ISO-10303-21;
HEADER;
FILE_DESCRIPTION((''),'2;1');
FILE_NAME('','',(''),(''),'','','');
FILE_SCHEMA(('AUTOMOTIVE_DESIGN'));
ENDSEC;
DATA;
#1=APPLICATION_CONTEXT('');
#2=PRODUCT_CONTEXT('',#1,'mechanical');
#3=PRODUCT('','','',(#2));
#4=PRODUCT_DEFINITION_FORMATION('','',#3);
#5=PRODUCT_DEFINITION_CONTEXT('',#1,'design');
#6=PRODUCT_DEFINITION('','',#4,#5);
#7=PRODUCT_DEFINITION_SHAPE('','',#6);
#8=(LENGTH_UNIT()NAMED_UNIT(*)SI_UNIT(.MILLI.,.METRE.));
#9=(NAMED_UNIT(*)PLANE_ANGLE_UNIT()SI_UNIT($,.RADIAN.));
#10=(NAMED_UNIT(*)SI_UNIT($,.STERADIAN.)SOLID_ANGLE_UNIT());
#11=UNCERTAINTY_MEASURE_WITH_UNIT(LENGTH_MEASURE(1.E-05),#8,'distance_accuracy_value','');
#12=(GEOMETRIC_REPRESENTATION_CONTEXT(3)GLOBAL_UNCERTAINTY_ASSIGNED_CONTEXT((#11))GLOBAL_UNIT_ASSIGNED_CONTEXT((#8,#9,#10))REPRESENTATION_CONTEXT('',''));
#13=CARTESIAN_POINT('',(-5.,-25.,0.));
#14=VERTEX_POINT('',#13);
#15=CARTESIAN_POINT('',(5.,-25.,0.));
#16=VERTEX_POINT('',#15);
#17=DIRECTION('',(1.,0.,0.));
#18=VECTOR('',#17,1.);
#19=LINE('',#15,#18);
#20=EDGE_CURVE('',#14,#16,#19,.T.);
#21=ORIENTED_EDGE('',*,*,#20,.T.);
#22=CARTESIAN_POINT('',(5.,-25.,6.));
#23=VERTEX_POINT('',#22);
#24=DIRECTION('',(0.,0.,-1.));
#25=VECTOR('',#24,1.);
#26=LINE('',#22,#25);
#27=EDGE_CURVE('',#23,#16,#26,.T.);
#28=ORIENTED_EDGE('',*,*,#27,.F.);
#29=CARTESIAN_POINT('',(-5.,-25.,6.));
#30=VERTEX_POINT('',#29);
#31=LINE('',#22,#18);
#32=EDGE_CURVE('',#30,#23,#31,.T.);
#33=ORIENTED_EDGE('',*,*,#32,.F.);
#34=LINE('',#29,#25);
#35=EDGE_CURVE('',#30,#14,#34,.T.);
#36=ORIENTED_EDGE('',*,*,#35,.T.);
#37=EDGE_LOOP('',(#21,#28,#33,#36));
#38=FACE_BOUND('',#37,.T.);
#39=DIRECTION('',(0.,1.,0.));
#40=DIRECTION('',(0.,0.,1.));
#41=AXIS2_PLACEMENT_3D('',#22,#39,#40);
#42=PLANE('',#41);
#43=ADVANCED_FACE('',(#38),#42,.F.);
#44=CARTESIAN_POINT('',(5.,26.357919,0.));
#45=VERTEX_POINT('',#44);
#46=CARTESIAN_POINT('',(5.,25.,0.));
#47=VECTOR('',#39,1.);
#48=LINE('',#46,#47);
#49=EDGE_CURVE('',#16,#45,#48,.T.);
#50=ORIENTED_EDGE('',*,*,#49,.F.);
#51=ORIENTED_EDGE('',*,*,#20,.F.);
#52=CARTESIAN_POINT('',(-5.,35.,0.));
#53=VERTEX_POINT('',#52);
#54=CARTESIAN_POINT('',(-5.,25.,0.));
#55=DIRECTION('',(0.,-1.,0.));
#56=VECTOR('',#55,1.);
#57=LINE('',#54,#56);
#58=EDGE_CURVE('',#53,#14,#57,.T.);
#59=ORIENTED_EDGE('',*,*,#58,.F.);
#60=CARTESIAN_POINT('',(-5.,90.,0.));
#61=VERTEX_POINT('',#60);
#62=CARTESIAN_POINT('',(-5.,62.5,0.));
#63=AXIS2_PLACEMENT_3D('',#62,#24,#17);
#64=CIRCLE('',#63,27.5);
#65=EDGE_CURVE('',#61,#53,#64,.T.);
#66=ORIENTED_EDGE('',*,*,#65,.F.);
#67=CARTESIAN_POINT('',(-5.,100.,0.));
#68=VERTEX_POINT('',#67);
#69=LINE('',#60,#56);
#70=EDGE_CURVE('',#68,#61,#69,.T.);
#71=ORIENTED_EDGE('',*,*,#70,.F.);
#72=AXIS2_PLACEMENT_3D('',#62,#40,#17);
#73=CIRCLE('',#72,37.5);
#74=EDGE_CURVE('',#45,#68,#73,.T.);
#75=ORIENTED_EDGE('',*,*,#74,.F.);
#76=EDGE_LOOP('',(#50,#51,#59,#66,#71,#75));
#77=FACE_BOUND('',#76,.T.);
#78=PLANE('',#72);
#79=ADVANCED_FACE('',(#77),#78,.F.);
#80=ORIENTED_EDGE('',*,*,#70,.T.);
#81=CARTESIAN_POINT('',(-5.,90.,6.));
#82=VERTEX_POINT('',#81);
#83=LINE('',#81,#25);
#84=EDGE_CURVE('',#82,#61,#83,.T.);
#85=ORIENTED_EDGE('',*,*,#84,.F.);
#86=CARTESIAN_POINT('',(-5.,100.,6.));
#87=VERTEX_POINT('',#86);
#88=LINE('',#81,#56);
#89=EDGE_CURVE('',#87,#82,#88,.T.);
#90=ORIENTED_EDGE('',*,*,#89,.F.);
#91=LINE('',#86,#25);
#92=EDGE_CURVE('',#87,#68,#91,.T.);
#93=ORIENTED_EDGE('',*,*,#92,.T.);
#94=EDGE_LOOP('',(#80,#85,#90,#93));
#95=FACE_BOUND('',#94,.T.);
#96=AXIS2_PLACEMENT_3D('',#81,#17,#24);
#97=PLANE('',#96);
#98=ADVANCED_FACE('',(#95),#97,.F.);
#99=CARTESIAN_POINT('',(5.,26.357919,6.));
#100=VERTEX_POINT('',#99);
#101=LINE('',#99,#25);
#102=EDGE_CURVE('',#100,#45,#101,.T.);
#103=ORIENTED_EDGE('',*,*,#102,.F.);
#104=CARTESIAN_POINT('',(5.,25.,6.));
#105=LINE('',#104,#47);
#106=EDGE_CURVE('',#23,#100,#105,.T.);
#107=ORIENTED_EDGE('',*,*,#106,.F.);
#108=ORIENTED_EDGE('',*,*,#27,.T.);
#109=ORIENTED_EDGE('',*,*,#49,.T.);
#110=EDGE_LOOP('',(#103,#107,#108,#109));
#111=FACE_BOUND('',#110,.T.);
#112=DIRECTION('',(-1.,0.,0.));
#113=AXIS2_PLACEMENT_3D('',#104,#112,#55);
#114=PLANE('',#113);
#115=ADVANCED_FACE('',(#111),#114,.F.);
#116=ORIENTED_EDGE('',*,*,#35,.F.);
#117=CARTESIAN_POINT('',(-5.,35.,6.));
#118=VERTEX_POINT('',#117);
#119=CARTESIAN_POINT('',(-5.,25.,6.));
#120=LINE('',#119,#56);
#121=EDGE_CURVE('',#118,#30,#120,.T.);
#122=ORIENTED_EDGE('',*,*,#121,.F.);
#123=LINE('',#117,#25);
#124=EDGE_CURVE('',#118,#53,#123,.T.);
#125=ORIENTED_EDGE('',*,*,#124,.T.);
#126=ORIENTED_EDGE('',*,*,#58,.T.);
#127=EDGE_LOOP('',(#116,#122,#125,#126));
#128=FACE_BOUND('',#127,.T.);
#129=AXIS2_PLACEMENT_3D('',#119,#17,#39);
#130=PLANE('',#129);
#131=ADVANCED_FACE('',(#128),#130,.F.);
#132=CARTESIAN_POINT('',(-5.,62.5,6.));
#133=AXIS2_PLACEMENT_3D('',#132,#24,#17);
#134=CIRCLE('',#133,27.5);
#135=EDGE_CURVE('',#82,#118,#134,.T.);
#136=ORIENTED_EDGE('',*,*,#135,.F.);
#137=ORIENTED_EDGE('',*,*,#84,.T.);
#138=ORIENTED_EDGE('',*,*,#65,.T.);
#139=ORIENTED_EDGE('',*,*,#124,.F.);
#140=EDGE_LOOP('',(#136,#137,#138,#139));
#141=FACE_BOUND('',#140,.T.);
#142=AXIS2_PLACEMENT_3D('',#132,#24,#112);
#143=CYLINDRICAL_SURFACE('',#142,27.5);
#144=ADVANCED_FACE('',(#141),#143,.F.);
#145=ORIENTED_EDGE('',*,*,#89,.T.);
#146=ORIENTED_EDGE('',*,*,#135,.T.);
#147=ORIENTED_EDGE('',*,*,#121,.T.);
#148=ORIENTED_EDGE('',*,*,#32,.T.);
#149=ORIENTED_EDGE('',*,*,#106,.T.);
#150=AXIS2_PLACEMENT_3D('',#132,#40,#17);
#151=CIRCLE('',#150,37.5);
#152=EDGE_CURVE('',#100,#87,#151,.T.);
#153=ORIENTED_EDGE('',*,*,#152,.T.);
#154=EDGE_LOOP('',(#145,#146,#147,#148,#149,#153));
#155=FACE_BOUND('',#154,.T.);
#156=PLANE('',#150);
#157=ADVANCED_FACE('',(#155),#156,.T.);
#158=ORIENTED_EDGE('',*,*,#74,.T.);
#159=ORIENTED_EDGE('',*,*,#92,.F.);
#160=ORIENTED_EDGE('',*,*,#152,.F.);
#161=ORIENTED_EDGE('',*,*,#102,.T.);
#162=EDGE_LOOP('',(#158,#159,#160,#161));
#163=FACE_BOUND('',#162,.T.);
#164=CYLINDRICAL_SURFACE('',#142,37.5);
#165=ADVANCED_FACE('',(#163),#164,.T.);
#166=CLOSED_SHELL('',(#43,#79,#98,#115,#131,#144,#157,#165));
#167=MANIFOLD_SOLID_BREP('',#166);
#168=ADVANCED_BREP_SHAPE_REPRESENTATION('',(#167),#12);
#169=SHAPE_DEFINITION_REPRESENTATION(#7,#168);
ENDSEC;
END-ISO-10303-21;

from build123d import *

# Parameters (mm, degrees)
BOSS_EXTRUDE1_DEPTH = 6


with BuildPart() as part:
    # Sketch1 → Boss-Extrude1 (new body)
    with BuildSketch(Plane(origin=(0, 0, 0), x_dir=(0, 1, 0), z_dir=(0, 0, 1))):
        with BuildLine():
            Line((25, -5), (26.357919263, -5))
            ThreePointArc((26.357919263, -5), (67.545888047, -32.158969493), (100, 5))
            Line((100, 5), (90, 5))
            ThreePointArc((90, 5), (62.5, -22.5), (35, 5))
            Line((35, 5), (25, 5))
            Line((25, 5), (-25, 5))
            Line((-25, 5), (-25, -5))
            Line((-25, -5), (25, -5))
        make_face()
    extrude(amount=BOSS_EXTRUDE1_DEPTH)


solid = part.part
